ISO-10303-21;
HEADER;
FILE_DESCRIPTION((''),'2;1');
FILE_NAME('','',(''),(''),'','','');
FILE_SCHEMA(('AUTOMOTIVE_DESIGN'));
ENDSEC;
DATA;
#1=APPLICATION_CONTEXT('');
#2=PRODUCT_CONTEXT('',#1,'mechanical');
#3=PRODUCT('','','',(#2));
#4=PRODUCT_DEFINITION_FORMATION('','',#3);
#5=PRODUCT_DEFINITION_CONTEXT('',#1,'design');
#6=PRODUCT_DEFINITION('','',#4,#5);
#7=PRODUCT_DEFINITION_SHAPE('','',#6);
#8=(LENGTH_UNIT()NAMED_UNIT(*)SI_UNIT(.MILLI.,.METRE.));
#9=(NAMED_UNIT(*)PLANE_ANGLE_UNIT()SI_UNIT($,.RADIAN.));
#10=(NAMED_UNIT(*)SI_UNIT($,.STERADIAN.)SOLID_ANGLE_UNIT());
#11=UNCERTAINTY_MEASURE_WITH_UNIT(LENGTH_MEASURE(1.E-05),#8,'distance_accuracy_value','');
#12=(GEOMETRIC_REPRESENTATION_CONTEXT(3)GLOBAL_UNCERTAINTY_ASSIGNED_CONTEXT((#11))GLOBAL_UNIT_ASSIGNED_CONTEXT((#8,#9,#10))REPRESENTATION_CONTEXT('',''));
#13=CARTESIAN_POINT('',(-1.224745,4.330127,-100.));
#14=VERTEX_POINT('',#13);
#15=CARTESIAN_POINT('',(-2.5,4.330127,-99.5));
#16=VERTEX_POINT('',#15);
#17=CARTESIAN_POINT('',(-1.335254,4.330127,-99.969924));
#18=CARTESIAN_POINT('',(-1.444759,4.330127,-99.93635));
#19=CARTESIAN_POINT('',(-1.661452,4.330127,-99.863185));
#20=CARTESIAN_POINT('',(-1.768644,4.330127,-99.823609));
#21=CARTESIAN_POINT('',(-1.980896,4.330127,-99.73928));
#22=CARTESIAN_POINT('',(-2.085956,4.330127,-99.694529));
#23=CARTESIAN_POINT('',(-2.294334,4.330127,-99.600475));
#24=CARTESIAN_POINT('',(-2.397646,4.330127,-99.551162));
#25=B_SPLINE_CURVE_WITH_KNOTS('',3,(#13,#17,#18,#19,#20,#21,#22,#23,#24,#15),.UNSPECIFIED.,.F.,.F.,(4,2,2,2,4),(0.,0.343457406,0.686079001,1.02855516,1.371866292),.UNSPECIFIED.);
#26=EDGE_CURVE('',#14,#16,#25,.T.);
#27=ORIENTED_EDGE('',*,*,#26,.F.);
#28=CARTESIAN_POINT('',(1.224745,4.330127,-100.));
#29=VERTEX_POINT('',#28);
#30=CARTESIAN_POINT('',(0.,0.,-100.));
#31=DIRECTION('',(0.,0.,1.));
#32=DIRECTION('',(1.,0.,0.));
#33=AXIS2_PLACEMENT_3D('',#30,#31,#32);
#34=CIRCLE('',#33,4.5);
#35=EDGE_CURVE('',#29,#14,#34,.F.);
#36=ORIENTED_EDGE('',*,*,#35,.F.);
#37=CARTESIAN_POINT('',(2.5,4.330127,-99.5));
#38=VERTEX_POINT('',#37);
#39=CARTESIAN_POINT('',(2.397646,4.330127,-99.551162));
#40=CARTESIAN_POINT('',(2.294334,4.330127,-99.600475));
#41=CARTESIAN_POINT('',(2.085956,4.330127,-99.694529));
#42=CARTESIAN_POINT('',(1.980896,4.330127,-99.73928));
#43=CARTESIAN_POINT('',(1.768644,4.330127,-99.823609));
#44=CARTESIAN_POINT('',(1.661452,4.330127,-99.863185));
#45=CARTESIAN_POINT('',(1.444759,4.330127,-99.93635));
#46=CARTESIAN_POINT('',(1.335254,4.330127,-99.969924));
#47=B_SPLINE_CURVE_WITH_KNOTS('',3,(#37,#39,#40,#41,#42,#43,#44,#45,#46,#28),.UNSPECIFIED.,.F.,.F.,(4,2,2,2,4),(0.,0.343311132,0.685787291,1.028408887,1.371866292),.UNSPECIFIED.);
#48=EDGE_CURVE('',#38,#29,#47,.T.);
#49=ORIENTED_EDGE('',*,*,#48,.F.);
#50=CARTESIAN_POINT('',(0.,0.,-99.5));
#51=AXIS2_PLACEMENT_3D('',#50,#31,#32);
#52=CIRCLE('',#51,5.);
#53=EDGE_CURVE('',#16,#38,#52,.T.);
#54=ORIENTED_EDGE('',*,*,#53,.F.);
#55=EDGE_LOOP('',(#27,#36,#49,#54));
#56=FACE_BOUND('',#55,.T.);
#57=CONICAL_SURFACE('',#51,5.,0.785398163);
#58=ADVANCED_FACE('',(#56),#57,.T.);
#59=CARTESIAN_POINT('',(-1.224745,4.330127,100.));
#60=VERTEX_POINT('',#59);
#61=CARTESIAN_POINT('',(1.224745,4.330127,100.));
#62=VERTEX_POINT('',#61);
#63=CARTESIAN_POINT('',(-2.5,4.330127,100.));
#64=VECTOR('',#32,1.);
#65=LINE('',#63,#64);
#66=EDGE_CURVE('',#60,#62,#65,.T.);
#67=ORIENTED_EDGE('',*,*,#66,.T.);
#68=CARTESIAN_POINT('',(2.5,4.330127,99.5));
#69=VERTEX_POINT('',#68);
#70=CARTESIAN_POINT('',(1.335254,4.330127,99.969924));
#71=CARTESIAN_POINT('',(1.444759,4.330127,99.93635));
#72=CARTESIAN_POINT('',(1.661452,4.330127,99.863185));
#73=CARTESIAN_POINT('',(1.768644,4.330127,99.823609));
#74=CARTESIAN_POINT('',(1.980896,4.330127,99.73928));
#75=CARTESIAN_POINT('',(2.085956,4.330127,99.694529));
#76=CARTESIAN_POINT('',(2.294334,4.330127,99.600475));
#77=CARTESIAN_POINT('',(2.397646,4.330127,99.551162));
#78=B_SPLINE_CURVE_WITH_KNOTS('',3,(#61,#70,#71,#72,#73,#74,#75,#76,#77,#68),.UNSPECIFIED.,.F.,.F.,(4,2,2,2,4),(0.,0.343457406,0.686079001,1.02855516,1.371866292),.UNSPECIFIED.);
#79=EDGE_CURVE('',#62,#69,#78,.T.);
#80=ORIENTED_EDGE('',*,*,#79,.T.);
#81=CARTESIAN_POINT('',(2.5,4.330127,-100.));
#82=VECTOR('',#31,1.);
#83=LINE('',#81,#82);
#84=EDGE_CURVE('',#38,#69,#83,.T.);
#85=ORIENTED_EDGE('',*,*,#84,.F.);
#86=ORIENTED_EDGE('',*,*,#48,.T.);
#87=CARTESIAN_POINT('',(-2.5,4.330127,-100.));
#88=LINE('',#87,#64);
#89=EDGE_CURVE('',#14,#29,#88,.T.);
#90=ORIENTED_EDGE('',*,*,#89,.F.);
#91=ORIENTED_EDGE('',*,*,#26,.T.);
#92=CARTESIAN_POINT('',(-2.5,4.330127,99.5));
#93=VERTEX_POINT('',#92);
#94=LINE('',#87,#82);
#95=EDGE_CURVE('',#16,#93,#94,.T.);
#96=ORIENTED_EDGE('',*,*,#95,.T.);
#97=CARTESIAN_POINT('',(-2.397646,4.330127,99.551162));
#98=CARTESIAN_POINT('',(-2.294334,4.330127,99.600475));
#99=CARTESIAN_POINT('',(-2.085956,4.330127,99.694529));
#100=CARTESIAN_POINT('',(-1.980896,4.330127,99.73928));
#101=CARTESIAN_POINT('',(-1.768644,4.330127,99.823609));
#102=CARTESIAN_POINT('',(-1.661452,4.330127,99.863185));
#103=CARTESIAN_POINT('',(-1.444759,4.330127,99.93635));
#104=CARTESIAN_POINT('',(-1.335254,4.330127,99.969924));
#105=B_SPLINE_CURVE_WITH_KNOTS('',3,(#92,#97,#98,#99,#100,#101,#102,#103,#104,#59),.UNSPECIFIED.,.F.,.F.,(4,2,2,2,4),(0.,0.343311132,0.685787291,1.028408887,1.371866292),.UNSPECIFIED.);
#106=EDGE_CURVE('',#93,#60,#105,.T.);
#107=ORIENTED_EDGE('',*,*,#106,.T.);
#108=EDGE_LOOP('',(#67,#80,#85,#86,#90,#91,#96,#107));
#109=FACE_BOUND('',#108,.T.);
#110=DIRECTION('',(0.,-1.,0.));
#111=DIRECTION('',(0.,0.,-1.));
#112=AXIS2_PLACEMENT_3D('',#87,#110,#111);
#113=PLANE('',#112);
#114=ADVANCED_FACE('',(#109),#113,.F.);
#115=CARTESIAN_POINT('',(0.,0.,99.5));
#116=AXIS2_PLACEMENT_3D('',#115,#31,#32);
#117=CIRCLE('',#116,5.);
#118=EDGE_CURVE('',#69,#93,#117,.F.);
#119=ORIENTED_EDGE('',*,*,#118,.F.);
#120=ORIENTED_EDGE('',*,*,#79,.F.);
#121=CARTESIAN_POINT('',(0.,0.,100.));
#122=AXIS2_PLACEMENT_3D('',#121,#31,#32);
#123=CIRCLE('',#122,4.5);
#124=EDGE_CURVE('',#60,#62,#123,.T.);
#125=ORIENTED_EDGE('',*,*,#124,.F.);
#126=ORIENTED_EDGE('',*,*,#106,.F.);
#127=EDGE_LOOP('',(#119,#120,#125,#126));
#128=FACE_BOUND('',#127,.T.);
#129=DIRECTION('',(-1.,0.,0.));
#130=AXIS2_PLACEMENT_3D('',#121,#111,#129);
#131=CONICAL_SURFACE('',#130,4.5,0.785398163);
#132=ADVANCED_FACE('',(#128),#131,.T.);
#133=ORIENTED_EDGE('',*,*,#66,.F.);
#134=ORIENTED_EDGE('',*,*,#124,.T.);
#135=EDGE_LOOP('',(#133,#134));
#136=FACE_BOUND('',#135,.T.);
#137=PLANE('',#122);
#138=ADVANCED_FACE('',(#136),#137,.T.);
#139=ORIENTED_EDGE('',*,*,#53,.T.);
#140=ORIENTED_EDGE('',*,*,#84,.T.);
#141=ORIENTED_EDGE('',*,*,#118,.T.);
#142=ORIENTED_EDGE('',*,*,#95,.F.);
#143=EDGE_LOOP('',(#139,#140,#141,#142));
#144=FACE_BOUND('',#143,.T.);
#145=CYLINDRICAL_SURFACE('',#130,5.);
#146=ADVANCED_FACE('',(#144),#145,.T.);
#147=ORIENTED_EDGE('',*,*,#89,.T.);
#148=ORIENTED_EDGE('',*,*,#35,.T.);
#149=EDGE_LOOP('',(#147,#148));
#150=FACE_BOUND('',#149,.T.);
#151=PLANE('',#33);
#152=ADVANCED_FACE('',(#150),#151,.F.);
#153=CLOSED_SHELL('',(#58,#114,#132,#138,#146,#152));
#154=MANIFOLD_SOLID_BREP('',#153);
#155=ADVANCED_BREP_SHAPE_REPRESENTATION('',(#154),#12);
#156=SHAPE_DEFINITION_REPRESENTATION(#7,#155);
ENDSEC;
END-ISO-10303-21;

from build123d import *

# Parameters (mm, degrees)
SKETCH3_R                = 5
BOSS_EXTRUDE2_DEPTH      = 100
BOSS_EXTRUDE2_DEPTH_BACK = 100
CUT_EXTRUDE5_DEPTH       = 101
CUT_EXTRUDE5_DEPTH_BACK  = 101
CHAMFER1_SIZE            = 0.5


with BuildPart() as part:
    # Sketch3 → Boss-Extrude2 (new body, two sides)
    with BuildSketch(Plane.XY) as boss_extrude2_sk:
        Circle(SKETCH3_R)
    extrude(amount=BOSS_EXTRUDE2_DEPTH)
    extrude(boss_extrude2_sk.sketch, amount=-BOSS_EXTRUDE2_DEPTH_BACK)

    # Sketch10 → Cut-Extrude5 (cut, two sides)
    with BuildSketch(Plane.XY) as cut_extrude5_sk:
        with BuildLine():
            Line((-2.5, 4.330127019), (2.5, 4.330127019))
            ThreePointArc((2.5, 4.330127019), (0, 5), (-2.5, 4.330127019))
        make_face()
    extrude(amount=CUT_EXTRUDE5_DEPTH, mode=Mode.SUBTRACT)
    extrude(cut_extrude5_sk.sketch, amount=-CUT_EXTRUDE5_DEPTH_BACK, mode=Mode.SUBTRACT)

    # Chamfer1
    chamfer1_edges = [part.edges().sort_by_distance(p)[0] for p in [
        (0, -5, -100),
        (0, -5, 100),
    ]]
    chamfer(chamfer1_edges, length=CHAMFER1_SIZE)


solid = part.part
